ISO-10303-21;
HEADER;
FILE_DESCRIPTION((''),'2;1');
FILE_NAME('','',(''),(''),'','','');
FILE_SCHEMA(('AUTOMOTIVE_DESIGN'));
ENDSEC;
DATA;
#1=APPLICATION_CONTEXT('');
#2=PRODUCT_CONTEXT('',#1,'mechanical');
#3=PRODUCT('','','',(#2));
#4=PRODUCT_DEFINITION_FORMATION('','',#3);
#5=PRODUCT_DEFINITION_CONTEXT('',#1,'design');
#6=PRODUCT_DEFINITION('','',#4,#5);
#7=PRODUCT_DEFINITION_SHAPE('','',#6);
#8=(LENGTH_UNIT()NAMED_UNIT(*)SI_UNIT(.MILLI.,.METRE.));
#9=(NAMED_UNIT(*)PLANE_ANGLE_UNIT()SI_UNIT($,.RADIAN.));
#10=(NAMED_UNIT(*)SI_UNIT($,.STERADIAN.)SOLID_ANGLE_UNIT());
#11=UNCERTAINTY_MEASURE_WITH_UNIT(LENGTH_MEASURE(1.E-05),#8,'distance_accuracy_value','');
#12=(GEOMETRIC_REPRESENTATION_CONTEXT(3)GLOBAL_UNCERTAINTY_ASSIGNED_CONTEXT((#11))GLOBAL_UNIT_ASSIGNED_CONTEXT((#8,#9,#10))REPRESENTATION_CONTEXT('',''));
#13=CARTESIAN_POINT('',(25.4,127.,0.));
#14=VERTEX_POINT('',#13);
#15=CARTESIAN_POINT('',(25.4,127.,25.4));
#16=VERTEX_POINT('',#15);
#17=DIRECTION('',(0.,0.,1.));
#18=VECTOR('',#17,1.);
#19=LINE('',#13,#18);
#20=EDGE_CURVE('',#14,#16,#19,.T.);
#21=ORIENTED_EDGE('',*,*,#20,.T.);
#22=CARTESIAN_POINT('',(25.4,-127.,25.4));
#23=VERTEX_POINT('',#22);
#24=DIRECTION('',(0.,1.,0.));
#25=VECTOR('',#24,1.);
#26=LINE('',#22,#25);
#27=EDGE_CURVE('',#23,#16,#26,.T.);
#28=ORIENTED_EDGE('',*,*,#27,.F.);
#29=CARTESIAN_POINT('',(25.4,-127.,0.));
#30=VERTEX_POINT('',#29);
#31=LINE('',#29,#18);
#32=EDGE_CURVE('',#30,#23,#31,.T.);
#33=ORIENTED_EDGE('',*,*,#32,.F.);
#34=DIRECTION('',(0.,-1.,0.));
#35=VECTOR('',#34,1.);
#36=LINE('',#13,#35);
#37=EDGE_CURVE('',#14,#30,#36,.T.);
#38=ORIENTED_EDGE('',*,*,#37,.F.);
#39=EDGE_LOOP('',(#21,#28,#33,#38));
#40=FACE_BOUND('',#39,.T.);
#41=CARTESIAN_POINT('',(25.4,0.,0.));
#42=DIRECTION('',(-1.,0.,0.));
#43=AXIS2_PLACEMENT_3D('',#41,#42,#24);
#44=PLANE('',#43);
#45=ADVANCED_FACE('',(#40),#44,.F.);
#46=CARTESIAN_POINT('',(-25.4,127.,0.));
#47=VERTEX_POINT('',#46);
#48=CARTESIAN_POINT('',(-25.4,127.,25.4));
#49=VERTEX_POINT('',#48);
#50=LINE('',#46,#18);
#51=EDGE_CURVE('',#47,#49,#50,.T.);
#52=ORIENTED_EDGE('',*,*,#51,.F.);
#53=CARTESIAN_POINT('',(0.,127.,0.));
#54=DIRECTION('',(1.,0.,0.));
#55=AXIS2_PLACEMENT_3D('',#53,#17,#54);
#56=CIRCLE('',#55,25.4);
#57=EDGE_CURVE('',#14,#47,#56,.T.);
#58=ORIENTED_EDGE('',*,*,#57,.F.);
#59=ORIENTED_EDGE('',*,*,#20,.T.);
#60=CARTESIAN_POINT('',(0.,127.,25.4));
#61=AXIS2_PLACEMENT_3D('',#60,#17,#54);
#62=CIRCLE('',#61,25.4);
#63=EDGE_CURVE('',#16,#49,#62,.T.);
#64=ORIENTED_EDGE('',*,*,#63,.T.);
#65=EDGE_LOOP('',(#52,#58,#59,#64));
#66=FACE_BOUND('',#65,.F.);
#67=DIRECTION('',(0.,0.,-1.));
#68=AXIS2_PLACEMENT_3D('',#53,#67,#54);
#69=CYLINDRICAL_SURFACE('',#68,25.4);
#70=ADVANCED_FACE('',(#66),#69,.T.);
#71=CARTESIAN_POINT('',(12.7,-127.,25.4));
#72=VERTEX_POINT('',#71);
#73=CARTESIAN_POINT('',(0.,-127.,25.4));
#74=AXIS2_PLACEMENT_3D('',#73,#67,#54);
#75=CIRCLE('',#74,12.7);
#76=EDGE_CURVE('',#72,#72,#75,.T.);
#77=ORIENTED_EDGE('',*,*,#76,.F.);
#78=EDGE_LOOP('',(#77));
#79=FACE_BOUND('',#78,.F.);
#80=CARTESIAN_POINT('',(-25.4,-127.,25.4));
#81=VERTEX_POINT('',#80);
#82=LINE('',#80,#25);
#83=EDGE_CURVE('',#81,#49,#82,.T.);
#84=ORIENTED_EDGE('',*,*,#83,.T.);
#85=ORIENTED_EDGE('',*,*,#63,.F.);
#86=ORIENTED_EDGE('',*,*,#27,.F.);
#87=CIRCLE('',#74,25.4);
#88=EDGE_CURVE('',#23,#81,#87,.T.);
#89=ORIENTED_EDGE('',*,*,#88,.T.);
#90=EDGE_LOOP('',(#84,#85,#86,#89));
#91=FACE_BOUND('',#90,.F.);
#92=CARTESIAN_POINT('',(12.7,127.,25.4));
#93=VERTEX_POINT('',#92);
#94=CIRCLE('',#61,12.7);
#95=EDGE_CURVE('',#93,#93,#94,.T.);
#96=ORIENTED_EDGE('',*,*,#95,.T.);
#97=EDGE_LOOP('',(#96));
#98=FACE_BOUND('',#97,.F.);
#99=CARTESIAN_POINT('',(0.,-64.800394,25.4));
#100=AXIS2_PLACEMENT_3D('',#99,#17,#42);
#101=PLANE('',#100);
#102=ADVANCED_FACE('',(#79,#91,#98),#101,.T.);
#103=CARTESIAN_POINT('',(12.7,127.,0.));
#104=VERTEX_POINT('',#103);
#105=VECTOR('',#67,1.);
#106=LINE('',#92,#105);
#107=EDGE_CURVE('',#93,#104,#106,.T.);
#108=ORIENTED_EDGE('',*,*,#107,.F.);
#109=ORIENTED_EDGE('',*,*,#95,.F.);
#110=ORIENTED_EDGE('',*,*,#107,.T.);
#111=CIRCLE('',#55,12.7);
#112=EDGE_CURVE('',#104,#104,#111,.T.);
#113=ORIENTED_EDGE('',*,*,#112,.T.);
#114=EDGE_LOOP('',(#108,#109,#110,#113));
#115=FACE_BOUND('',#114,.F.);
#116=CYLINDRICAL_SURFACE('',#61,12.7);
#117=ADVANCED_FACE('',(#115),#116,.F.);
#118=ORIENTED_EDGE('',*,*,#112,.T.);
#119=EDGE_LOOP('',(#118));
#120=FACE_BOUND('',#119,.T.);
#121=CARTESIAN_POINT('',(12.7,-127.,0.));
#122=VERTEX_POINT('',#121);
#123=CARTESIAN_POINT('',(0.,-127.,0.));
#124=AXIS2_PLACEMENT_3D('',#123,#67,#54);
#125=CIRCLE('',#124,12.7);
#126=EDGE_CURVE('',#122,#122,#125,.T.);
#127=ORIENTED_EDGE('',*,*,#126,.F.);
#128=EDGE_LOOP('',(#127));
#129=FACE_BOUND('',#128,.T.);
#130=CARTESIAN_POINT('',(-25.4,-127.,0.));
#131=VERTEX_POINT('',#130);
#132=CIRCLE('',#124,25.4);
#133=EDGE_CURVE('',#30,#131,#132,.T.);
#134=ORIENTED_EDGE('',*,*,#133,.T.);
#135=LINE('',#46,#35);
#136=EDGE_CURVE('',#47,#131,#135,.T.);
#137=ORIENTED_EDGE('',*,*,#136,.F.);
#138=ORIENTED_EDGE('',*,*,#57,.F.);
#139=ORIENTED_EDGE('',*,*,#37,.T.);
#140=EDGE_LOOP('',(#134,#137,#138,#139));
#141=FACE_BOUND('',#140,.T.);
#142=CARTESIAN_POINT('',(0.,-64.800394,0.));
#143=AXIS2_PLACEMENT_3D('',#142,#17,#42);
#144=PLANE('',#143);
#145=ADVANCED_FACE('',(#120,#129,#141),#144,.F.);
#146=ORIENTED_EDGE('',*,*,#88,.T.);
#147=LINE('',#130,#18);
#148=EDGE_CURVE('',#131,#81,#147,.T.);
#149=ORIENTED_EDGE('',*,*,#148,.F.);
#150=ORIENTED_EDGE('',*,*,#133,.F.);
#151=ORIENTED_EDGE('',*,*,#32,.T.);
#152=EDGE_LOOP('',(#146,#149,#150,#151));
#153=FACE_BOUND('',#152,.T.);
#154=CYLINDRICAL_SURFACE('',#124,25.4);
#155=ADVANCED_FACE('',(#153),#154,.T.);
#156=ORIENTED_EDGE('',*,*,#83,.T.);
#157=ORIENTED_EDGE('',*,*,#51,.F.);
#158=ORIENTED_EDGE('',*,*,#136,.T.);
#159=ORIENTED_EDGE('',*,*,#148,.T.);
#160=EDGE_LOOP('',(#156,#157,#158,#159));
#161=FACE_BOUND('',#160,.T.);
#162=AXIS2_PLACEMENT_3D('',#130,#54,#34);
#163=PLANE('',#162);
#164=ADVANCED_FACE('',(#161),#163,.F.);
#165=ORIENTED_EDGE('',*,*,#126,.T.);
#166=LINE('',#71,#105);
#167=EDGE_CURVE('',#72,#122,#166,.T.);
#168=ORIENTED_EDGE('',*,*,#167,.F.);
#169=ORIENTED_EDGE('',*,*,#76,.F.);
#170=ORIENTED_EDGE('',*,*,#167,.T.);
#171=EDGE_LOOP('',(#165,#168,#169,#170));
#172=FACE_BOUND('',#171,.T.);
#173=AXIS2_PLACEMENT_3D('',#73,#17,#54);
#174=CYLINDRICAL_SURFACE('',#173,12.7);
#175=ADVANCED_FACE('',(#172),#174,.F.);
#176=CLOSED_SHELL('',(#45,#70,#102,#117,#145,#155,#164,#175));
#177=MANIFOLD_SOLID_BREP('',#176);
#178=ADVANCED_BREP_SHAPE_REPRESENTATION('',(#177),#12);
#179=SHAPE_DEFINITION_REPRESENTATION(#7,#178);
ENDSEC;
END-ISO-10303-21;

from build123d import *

# Parameters (mm, degrees)
F1_DEPTH = 25.4
F2_R     = 12.7
F3_DEPTH = 25.4


with BuildPart() as f1:
    # F0 (on Top) → F1 (new body)
    with BuildSketch(Plane.XY):
        with BuildLine():
            Line((-25.4, 127), (-25.4, 0))
            Line((-25.4, 0), (25.4, 0))
            Line((25.4, 0), (25.4, 127))
            ThreePointArc((25.4, 127), (0, 101.6), (-25.4, 127))
        make_face()
        with BuildLine():
            ThreePointArc((25.4, 127), (0, 152.4), (-25.4, 127))
            Line((-25.4, 127), (25.4, 127))
        make_face()
        with BuildLine():
            Line((25.4, 127), (-25.4, 127))
            ThreePointArc((-25.4, 127), (0, 101.6), (25.4, 127))
        make_face()
    extrude(amount=F1_DEPTH)

    # F2 (on face) → F3 (cut)
    with BuildSketch(Plane.XY.offset(25.4)):
        with Locations((0, 127)):
            Circle(F2_R)
    extrude(amount=-F3_DEPTH, mode=Mode.SUBTRACT)

    # F4: F1 across face


with BuildPart() as f1_1:
    add(f1.part)
    add(f1.part.mirror(Plane(origin=(0, 0, 12.7), x_dir=(1, 0, 0), z_dir=(0, -1, 0))))


solid = f1_1.part
